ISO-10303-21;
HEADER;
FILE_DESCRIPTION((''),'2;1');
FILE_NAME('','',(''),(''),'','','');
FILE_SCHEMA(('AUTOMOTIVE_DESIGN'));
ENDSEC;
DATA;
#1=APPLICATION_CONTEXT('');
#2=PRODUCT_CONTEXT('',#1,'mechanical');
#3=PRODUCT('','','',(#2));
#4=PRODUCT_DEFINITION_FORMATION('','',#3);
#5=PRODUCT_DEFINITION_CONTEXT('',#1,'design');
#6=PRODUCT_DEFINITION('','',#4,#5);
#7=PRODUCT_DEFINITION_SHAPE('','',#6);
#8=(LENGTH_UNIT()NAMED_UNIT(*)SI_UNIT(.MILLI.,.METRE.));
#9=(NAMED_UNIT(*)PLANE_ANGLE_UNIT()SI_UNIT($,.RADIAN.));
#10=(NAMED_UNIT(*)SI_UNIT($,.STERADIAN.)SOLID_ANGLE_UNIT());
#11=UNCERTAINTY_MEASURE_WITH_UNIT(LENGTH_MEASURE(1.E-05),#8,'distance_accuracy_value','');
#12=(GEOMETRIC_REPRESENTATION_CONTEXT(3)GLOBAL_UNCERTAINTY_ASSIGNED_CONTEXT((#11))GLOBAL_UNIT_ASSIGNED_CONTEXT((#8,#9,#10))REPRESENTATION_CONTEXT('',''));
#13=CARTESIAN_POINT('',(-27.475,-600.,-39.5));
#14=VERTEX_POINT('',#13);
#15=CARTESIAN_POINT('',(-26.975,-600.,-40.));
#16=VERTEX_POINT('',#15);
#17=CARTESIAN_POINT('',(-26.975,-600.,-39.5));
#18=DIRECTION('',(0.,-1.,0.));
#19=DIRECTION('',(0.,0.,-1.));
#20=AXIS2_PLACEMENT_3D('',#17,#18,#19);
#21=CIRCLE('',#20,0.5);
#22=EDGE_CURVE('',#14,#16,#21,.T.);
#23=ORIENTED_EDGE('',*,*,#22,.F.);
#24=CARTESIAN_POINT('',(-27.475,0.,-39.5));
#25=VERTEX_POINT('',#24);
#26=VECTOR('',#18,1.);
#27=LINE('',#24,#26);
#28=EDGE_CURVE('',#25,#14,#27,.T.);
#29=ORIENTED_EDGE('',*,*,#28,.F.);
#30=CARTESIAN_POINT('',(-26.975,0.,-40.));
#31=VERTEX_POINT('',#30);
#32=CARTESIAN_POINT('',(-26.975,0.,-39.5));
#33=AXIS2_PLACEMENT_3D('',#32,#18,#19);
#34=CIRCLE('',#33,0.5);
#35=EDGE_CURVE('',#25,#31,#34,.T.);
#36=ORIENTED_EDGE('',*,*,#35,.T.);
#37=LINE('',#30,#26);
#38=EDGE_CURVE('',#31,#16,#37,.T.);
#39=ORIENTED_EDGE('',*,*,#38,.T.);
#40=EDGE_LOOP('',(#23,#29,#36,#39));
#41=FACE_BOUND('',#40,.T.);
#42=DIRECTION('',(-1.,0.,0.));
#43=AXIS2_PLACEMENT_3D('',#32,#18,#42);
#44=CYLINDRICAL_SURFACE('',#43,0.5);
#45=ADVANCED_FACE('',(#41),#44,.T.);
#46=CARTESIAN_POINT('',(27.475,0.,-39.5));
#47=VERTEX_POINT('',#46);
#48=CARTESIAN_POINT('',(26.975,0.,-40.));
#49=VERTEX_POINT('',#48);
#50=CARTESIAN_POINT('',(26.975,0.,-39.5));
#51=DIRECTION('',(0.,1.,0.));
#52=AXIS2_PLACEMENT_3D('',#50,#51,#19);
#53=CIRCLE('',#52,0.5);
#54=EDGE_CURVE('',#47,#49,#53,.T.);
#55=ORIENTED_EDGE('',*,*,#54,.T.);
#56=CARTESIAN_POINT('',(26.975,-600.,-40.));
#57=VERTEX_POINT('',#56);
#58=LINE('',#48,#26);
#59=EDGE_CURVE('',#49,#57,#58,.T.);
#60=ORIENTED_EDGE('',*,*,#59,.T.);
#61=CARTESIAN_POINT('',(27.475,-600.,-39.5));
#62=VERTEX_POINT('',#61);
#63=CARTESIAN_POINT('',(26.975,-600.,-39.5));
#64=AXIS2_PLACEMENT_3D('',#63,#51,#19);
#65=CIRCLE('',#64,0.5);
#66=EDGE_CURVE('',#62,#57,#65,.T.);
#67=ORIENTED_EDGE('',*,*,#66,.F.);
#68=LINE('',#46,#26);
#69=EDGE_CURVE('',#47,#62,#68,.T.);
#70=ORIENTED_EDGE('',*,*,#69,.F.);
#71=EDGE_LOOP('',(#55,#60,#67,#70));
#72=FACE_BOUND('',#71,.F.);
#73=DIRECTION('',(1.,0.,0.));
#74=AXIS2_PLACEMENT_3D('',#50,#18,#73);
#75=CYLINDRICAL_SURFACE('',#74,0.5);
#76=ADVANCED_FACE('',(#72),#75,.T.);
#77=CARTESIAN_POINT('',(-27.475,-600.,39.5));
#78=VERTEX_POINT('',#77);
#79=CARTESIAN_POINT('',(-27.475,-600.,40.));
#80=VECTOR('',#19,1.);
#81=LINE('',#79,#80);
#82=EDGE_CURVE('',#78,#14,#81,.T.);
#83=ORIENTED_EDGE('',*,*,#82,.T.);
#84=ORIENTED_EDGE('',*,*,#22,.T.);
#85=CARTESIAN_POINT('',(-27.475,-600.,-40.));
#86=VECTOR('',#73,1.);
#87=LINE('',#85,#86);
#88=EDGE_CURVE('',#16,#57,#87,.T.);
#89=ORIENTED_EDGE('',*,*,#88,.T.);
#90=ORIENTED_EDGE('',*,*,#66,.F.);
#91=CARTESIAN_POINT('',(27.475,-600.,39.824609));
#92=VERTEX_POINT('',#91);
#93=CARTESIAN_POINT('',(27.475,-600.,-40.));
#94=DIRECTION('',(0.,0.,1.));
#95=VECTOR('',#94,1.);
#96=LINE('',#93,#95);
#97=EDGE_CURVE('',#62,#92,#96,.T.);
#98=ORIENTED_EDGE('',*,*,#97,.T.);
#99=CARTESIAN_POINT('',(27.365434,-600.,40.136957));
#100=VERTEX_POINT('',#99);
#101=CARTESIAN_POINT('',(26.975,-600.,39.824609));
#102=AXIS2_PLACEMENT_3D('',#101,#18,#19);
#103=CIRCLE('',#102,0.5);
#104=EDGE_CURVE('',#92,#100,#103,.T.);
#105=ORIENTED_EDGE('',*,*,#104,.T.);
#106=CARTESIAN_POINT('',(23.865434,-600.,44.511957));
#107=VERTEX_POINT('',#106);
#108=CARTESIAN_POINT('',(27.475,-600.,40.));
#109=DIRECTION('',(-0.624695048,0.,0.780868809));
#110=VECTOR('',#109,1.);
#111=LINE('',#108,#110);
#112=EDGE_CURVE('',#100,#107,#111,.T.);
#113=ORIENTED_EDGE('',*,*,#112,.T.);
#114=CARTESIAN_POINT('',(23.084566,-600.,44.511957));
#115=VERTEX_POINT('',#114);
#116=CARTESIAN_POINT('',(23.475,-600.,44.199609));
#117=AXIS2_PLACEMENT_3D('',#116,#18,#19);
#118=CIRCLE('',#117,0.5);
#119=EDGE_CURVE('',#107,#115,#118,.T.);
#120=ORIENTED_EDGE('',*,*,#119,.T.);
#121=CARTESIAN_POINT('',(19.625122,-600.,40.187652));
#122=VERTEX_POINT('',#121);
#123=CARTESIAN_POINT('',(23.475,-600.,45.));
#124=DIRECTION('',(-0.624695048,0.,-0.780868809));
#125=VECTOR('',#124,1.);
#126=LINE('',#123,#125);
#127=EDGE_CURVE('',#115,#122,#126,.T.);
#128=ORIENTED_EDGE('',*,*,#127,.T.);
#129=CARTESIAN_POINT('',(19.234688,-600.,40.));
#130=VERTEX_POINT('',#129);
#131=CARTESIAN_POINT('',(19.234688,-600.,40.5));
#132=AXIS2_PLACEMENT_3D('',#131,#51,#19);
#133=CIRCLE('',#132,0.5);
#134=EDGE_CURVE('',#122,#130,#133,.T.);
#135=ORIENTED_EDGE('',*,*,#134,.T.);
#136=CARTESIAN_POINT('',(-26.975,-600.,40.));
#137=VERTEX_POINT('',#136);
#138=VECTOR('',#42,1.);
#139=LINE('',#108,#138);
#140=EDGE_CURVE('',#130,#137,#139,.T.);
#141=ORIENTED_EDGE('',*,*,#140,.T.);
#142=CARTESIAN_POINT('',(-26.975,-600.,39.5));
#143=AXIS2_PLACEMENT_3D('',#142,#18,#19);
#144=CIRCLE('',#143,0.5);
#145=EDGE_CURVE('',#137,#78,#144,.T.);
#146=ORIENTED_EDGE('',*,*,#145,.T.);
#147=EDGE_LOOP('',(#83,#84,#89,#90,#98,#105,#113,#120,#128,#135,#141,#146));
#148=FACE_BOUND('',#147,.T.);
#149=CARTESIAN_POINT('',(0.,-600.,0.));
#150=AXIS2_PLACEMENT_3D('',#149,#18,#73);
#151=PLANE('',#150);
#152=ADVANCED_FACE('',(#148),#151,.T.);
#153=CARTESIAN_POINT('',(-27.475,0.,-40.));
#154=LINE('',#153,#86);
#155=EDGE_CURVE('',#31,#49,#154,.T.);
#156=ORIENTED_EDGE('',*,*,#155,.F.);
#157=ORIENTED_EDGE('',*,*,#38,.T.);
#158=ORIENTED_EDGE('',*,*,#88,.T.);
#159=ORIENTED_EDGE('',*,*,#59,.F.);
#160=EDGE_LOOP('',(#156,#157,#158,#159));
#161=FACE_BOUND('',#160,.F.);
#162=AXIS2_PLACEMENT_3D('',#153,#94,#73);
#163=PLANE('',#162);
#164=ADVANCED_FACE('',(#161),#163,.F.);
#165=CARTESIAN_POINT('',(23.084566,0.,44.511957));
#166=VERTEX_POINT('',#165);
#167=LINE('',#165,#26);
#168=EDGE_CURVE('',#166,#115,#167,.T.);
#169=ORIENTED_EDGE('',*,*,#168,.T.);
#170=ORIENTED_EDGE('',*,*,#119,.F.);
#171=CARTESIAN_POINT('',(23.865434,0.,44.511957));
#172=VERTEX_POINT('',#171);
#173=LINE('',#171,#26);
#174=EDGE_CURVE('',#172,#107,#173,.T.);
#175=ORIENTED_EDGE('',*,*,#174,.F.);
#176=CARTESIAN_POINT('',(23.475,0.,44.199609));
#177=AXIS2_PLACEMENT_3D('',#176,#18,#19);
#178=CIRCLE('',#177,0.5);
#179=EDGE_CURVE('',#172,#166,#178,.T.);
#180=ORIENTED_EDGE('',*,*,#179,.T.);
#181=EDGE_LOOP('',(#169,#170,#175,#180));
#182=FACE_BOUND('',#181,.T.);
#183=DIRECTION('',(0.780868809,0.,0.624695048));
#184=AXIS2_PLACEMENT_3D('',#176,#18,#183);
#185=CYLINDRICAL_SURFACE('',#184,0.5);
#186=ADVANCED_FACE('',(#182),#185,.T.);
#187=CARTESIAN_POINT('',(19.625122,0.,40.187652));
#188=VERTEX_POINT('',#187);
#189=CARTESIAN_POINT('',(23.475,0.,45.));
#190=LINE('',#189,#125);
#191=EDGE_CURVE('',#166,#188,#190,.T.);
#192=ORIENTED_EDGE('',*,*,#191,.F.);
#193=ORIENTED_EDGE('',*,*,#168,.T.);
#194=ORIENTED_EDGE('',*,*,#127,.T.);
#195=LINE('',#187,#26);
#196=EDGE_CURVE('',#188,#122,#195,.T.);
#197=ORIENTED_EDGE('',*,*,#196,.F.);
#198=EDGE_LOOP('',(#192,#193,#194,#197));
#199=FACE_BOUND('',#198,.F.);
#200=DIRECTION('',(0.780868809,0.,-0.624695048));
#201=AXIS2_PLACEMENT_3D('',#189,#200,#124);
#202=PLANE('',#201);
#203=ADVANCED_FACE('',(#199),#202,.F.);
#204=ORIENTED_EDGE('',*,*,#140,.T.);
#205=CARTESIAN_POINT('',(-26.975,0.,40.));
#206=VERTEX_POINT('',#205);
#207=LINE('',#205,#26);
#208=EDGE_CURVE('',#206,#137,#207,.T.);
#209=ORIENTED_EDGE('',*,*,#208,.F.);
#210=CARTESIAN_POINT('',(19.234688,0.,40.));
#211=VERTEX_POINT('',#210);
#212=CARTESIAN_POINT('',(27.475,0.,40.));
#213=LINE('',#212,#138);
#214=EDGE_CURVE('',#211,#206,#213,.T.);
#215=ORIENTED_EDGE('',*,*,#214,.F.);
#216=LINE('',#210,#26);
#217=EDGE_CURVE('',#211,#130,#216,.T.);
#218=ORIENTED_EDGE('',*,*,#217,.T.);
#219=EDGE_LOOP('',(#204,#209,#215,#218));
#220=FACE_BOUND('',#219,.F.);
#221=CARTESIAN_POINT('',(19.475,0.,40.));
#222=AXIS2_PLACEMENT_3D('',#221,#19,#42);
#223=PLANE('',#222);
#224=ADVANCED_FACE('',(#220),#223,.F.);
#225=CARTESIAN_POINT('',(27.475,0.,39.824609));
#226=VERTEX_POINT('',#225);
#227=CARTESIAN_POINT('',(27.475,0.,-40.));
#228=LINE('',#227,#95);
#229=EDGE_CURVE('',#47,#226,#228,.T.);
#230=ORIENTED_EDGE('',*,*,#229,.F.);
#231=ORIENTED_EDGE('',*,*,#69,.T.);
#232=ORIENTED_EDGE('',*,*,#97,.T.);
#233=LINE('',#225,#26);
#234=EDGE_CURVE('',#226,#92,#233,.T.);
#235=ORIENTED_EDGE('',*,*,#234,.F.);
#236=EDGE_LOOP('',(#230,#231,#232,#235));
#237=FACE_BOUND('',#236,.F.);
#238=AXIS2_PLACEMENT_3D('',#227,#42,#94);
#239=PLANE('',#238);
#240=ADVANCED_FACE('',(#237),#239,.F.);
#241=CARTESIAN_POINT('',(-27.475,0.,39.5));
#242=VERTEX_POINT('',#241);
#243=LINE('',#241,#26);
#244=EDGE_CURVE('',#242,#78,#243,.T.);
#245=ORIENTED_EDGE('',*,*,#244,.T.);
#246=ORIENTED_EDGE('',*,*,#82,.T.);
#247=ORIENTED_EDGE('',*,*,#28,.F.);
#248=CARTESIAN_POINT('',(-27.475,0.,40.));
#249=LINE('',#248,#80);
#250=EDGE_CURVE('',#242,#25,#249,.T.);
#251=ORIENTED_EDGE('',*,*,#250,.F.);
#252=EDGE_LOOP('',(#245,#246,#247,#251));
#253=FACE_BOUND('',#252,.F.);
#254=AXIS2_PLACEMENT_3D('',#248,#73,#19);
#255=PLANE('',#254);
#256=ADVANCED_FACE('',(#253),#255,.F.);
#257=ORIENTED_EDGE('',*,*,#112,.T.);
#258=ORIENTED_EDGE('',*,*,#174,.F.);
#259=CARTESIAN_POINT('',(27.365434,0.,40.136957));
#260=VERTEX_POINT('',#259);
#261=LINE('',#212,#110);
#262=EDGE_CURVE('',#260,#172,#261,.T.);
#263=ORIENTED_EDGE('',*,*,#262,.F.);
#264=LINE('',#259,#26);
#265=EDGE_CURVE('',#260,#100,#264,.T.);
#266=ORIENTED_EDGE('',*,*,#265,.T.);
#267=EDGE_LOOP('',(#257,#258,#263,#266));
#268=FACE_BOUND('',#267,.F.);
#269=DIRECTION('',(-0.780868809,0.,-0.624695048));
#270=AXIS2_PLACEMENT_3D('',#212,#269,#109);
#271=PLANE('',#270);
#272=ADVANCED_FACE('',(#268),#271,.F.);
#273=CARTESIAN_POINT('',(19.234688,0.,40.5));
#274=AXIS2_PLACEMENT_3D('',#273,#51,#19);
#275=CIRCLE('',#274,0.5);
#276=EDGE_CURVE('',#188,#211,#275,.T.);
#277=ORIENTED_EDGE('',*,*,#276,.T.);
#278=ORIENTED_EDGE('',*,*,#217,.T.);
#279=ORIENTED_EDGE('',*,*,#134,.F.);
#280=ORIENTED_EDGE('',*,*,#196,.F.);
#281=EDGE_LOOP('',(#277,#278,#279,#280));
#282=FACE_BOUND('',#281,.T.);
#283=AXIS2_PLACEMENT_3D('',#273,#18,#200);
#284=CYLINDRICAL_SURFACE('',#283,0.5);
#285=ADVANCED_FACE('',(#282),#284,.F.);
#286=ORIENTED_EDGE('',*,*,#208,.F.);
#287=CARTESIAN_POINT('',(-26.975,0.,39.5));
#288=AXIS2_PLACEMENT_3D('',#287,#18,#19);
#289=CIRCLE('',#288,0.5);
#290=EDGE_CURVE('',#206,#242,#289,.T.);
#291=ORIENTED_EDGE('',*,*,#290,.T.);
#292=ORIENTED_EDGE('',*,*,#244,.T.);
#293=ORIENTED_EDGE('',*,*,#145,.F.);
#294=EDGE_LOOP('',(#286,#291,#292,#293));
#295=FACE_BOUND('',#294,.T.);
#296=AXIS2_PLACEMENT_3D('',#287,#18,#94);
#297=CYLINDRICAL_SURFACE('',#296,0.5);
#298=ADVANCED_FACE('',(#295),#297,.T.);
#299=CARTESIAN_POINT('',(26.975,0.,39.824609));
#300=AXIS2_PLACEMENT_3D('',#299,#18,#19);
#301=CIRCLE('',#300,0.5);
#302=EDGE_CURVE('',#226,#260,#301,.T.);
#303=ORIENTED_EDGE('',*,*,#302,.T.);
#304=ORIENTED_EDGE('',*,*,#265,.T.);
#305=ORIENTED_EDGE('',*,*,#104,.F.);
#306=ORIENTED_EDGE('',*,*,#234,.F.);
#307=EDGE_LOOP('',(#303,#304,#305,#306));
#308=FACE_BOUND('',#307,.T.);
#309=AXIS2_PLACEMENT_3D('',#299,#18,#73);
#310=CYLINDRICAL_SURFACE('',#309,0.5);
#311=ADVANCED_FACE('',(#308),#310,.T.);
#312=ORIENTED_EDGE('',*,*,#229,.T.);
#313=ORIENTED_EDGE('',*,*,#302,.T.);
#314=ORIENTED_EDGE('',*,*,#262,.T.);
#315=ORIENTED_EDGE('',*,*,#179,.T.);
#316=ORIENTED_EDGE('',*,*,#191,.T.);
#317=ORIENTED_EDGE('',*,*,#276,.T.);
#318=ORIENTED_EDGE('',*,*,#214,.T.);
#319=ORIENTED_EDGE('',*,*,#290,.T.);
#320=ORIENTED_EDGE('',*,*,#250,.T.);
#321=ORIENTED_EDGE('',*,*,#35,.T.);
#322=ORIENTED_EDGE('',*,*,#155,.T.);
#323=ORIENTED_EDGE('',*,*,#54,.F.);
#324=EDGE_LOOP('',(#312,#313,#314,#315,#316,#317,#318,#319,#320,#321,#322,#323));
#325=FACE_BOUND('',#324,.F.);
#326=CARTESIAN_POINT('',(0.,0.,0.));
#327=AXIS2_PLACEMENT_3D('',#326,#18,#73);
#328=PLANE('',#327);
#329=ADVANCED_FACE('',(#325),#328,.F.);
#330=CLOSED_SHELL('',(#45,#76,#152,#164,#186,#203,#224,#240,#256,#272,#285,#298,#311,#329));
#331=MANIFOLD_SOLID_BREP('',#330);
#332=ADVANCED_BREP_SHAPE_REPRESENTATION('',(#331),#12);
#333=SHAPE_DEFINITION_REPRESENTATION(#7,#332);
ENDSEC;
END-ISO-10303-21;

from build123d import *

# Parameters (mm, degrees)
F1_DEPTH = 600
F2_R     = 0.5


with BuildPart() as f1:
    # F0 (on Front) → F1 (new body)
    with BuildSketch(Plane.XZ):
        Polygon((27.475, -40), (27.475, 40), (19.475, 40), (-27.475, 40), (-27.475, -40), align=None)
        Polygon((19.475, 40), (27.475, 40), (23.475, 45), align=None)
    extrude(amount=F1_DEPTH)

    # F2
    f2_edges = [f1.edges().sort_by_distance(p)[0] for p in [
        (23.475, -300, 45),
        (27.475, -300, 40),
        (19.475, -300, 40),
        (-27.475, -300, 40),
        (-27.475, -300, -40),
        (27.475, -300, -40),
    ]]
    fillet(f2_edges, radius=F2_R)


solid = f1.part
